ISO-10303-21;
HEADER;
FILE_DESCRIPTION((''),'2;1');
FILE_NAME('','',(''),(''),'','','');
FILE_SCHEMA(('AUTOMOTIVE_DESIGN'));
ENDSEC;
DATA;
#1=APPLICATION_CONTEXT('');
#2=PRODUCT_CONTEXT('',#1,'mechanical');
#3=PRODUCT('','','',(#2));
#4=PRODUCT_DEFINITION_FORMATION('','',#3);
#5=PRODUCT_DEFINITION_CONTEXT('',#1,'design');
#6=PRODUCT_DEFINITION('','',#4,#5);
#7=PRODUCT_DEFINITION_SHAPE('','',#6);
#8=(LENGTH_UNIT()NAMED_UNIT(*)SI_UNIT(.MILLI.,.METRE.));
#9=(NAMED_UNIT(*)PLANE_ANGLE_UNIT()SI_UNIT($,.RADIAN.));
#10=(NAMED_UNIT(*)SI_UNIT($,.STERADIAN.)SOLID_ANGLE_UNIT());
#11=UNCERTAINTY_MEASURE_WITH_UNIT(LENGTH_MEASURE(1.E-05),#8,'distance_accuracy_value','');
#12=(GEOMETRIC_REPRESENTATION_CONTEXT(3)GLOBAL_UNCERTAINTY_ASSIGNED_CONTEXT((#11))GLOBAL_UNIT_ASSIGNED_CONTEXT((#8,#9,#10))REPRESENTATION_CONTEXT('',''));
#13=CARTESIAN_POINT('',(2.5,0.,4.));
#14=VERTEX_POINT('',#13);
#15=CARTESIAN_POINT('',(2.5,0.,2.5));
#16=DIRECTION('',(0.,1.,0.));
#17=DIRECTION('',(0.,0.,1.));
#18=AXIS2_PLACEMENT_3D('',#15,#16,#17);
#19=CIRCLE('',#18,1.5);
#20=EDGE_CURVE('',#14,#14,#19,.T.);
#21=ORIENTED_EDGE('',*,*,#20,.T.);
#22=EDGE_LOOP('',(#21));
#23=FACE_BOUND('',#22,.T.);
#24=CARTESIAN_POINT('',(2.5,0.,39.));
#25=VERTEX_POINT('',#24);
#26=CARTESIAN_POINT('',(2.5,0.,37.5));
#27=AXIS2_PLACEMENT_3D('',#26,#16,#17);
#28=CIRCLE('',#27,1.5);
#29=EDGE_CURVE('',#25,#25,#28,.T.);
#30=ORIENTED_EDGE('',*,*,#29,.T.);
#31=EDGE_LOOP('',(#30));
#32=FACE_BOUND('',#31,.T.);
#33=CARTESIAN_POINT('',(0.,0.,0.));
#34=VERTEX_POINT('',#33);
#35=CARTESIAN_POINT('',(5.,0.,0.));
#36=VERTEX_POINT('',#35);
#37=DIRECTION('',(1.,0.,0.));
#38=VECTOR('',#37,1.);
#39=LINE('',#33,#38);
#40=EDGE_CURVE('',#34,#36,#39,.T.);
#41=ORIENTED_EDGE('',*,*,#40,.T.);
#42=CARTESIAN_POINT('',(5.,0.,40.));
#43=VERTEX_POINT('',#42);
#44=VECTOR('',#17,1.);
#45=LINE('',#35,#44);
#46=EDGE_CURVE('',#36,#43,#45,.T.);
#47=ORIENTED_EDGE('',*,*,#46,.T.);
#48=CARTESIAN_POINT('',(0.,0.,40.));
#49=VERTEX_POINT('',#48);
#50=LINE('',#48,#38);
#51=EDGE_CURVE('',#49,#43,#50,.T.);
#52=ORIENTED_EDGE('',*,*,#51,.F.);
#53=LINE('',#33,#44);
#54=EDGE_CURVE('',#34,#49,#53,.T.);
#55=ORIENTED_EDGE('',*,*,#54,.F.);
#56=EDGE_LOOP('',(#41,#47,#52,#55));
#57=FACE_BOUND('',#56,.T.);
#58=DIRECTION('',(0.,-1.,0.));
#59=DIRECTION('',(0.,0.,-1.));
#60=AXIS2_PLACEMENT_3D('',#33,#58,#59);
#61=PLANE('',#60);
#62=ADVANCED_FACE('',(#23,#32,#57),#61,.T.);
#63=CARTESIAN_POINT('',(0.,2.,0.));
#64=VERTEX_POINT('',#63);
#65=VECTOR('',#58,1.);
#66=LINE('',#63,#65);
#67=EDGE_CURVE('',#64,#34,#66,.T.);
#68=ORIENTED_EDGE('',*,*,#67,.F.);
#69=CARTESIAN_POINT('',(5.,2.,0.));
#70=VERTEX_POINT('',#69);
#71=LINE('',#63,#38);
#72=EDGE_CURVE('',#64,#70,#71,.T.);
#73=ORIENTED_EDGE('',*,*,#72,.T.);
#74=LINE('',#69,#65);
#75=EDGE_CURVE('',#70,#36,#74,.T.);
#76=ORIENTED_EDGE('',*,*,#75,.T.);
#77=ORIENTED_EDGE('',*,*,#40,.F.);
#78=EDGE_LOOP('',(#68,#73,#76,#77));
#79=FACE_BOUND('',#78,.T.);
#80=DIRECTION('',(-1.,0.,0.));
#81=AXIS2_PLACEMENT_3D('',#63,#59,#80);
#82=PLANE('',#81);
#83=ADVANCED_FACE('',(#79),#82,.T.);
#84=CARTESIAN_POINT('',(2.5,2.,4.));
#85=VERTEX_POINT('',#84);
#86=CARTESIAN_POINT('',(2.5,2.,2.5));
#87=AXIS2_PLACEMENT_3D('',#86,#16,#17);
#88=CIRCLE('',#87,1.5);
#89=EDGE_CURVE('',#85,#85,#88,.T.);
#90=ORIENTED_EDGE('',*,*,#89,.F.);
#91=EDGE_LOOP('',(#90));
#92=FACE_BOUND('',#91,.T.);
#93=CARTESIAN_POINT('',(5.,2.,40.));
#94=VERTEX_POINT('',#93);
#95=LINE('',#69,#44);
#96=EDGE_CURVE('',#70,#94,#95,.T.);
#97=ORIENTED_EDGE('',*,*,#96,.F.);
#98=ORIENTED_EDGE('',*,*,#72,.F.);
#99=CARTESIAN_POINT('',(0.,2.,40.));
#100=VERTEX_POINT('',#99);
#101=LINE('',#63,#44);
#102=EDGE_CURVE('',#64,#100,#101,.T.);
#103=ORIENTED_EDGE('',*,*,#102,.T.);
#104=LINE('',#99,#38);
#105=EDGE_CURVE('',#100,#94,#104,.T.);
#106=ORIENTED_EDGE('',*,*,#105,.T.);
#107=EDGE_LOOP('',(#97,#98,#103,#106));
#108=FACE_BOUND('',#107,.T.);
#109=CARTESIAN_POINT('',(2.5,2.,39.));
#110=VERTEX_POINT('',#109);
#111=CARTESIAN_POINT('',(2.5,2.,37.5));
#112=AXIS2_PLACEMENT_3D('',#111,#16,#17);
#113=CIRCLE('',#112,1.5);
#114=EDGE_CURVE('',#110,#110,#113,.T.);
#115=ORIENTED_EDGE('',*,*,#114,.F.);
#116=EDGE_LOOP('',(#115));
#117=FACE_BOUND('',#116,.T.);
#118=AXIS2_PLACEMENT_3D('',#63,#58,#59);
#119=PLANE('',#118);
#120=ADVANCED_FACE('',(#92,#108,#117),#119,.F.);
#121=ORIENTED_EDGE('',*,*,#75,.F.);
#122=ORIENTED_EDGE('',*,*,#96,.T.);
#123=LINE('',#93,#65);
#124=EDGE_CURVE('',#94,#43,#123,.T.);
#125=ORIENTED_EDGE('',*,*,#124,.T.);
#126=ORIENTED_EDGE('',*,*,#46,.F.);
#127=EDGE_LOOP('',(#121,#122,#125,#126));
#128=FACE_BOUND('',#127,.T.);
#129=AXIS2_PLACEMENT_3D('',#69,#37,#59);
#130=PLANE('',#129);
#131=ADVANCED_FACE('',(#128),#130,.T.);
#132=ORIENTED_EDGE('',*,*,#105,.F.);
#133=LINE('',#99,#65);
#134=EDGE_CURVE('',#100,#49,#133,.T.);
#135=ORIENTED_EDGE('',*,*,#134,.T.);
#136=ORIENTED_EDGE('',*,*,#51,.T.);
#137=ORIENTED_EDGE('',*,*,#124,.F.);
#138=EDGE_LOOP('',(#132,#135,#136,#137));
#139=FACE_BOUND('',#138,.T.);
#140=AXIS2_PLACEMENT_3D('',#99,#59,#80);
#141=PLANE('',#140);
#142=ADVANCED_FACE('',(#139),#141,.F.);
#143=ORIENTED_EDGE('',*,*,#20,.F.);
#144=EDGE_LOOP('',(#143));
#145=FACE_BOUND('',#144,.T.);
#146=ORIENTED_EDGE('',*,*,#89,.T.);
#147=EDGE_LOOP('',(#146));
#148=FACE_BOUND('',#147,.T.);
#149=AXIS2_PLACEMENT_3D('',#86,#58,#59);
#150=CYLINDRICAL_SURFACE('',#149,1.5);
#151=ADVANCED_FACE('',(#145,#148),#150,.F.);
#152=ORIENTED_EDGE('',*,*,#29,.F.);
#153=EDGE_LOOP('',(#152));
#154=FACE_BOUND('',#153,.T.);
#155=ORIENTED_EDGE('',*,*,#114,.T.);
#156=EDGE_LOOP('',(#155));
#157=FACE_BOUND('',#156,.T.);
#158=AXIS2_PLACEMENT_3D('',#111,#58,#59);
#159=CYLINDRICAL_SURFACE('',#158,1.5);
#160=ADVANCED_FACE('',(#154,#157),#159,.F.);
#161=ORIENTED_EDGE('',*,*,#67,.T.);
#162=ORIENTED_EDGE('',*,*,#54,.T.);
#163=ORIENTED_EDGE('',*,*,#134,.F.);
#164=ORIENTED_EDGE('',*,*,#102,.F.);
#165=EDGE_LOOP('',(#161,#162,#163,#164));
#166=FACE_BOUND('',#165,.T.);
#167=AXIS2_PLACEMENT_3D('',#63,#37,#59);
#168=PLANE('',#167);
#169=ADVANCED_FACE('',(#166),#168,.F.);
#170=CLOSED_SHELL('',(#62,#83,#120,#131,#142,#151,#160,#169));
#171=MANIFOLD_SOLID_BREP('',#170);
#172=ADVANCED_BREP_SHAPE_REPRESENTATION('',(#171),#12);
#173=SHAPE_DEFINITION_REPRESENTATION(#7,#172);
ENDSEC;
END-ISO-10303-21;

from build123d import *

# Parameters (mm, degrees)
SKETCH_1_W      = 5
SKETCH_1_H      = 40
SKETCH_1_R      = 1.5
EXTRUDE_1_DEPTH = 2


with BuildPart() as part:
    # 草图1 → 凸台-拉伸1 (new body)
    with BuildSketch(Plane(origin=(0, 0, 0), x_dir=(1, 0, 0), z_dir=(0, 1, 0))):
        with Locations((2.5, -20)):
            Rectangle(SKETCH_1_W, SKETCH_1_H)
        with Locations(Location((2.5, -2.5, 0), (0, 0, 270))):
            Circle(SKETCH_1_R, mode=Mode.SUBTRACT)
        with Locations(Location((2.5, -37.5, 0), (0, 0, 270))):
            Circle(SKETCH_1_R, mode=Mode.SUBTRACT)
    extrude(amount=EXTRUDE_1_DEPTH)


solid = part.part
